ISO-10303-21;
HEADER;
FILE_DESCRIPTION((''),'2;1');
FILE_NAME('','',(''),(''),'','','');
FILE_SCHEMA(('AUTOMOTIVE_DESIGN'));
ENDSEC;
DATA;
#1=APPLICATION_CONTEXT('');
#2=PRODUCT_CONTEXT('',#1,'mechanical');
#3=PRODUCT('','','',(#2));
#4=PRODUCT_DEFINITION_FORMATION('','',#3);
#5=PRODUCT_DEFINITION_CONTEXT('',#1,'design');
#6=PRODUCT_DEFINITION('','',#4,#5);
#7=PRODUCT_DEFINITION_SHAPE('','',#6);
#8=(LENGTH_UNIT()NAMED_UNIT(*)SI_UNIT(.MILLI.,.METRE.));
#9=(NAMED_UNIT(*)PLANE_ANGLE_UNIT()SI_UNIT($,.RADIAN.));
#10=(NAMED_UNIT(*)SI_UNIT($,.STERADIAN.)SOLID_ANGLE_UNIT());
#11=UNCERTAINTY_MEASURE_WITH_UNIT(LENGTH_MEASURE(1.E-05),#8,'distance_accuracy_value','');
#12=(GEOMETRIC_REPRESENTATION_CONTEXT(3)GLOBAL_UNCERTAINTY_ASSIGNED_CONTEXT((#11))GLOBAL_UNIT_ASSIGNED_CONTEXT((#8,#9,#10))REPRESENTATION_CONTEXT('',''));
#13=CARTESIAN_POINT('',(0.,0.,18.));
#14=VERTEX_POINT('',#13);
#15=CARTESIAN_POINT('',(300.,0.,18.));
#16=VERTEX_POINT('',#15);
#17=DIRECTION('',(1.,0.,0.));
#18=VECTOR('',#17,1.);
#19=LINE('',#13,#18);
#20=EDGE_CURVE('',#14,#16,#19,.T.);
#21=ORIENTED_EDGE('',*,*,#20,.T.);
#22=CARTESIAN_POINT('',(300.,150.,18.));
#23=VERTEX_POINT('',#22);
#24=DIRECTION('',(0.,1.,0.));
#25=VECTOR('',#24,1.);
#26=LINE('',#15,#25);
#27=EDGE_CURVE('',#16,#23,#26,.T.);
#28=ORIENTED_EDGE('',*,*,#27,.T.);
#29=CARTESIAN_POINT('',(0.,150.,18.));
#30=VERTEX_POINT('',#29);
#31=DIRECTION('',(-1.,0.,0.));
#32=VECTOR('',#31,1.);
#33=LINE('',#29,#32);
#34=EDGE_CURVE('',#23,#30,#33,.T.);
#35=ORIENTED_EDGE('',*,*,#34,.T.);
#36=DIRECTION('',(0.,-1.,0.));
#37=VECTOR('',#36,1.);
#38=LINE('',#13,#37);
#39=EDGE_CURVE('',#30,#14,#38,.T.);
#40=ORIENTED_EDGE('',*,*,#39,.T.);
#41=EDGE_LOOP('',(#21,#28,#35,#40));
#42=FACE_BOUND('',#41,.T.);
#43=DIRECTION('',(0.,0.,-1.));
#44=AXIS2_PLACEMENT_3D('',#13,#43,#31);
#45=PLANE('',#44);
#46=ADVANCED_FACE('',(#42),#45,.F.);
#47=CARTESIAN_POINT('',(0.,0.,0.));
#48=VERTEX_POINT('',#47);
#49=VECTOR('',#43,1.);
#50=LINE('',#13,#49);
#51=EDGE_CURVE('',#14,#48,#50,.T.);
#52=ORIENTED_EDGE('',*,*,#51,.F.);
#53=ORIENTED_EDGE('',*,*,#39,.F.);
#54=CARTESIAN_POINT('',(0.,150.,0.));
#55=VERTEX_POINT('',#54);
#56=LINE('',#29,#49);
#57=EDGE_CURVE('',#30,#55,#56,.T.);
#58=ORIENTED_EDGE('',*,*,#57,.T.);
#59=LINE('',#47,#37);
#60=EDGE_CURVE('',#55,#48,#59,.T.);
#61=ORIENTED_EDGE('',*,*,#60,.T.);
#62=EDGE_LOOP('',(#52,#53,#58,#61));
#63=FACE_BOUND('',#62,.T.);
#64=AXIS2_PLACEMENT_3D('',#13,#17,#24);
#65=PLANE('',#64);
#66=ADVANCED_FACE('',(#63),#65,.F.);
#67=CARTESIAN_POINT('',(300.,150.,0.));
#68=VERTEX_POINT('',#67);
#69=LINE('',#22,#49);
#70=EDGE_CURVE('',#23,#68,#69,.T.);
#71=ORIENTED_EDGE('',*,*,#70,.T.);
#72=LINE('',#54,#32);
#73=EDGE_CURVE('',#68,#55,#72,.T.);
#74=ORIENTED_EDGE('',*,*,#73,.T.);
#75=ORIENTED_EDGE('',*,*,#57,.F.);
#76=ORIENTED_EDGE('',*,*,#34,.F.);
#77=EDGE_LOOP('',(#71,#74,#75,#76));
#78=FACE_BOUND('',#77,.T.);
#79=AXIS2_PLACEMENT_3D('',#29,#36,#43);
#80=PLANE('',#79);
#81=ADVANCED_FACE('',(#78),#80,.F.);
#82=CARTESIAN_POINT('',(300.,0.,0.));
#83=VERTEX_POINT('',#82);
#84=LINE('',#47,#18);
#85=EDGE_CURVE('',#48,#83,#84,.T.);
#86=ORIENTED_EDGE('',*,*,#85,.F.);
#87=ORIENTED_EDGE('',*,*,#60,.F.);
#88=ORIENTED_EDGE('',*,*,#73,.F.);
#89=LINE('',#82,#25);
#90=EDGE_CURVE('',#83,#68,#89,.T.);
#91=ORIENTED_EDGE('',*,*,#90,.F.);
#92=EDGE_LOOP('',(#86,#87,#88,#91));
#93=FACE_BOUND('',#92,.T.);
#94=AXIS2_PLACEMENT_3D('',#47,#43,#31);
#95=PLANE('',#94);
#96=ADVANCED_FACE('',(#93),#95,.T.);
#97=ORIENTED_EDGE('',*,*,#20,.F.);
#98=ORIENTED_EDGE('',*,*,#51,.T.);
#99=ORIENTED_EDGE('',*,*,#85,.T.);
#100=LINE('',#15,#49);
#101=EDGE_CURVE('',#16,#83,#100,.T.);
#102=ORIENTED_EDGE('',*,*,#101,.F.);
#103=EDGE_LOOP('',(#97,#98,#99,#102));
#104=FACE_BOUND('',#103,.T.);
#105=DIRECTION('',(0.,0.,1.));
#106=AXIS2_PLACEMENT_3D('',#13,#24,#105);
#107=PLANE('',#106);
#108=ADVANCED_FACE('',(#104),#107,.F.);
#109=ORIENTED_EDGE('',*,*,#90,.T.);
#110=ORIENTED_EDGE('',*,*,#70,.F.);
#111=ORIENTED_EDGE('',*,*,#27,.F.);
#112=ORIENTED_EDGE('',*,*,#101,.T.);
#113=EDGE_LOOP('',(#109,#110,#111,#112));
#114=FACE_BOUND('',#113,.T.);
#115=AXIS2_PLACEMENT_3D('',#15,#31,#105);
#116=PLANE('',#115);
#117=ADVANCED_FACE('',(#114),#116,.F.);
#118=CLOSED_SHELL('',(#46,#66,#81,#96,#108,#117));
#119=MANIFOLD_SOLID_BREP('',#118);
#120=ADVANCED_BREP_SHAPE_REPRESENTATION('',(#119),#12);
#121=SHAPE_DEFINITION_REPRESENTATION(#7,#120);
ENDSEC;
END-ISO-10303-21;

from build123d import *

# Parameters (mm, degrees)
ESBO_O1_W                = 300
ESBO_O1_H                = 150
RESSALTO_EXTRUS_O1_DEPTH = 18


with BuildPart() as part:
    # Esboço1 → Ressalto-extrusão1 (new body)
    with BuildSketch(Plane.XY):
        with Locations((150, 75)):
            Rectangle(ESBO_O1_W, ESBO_O1_H)
    extrude(amount=RESSALTO_EXTRUS_O1_DEPTH)


solid = part.part
